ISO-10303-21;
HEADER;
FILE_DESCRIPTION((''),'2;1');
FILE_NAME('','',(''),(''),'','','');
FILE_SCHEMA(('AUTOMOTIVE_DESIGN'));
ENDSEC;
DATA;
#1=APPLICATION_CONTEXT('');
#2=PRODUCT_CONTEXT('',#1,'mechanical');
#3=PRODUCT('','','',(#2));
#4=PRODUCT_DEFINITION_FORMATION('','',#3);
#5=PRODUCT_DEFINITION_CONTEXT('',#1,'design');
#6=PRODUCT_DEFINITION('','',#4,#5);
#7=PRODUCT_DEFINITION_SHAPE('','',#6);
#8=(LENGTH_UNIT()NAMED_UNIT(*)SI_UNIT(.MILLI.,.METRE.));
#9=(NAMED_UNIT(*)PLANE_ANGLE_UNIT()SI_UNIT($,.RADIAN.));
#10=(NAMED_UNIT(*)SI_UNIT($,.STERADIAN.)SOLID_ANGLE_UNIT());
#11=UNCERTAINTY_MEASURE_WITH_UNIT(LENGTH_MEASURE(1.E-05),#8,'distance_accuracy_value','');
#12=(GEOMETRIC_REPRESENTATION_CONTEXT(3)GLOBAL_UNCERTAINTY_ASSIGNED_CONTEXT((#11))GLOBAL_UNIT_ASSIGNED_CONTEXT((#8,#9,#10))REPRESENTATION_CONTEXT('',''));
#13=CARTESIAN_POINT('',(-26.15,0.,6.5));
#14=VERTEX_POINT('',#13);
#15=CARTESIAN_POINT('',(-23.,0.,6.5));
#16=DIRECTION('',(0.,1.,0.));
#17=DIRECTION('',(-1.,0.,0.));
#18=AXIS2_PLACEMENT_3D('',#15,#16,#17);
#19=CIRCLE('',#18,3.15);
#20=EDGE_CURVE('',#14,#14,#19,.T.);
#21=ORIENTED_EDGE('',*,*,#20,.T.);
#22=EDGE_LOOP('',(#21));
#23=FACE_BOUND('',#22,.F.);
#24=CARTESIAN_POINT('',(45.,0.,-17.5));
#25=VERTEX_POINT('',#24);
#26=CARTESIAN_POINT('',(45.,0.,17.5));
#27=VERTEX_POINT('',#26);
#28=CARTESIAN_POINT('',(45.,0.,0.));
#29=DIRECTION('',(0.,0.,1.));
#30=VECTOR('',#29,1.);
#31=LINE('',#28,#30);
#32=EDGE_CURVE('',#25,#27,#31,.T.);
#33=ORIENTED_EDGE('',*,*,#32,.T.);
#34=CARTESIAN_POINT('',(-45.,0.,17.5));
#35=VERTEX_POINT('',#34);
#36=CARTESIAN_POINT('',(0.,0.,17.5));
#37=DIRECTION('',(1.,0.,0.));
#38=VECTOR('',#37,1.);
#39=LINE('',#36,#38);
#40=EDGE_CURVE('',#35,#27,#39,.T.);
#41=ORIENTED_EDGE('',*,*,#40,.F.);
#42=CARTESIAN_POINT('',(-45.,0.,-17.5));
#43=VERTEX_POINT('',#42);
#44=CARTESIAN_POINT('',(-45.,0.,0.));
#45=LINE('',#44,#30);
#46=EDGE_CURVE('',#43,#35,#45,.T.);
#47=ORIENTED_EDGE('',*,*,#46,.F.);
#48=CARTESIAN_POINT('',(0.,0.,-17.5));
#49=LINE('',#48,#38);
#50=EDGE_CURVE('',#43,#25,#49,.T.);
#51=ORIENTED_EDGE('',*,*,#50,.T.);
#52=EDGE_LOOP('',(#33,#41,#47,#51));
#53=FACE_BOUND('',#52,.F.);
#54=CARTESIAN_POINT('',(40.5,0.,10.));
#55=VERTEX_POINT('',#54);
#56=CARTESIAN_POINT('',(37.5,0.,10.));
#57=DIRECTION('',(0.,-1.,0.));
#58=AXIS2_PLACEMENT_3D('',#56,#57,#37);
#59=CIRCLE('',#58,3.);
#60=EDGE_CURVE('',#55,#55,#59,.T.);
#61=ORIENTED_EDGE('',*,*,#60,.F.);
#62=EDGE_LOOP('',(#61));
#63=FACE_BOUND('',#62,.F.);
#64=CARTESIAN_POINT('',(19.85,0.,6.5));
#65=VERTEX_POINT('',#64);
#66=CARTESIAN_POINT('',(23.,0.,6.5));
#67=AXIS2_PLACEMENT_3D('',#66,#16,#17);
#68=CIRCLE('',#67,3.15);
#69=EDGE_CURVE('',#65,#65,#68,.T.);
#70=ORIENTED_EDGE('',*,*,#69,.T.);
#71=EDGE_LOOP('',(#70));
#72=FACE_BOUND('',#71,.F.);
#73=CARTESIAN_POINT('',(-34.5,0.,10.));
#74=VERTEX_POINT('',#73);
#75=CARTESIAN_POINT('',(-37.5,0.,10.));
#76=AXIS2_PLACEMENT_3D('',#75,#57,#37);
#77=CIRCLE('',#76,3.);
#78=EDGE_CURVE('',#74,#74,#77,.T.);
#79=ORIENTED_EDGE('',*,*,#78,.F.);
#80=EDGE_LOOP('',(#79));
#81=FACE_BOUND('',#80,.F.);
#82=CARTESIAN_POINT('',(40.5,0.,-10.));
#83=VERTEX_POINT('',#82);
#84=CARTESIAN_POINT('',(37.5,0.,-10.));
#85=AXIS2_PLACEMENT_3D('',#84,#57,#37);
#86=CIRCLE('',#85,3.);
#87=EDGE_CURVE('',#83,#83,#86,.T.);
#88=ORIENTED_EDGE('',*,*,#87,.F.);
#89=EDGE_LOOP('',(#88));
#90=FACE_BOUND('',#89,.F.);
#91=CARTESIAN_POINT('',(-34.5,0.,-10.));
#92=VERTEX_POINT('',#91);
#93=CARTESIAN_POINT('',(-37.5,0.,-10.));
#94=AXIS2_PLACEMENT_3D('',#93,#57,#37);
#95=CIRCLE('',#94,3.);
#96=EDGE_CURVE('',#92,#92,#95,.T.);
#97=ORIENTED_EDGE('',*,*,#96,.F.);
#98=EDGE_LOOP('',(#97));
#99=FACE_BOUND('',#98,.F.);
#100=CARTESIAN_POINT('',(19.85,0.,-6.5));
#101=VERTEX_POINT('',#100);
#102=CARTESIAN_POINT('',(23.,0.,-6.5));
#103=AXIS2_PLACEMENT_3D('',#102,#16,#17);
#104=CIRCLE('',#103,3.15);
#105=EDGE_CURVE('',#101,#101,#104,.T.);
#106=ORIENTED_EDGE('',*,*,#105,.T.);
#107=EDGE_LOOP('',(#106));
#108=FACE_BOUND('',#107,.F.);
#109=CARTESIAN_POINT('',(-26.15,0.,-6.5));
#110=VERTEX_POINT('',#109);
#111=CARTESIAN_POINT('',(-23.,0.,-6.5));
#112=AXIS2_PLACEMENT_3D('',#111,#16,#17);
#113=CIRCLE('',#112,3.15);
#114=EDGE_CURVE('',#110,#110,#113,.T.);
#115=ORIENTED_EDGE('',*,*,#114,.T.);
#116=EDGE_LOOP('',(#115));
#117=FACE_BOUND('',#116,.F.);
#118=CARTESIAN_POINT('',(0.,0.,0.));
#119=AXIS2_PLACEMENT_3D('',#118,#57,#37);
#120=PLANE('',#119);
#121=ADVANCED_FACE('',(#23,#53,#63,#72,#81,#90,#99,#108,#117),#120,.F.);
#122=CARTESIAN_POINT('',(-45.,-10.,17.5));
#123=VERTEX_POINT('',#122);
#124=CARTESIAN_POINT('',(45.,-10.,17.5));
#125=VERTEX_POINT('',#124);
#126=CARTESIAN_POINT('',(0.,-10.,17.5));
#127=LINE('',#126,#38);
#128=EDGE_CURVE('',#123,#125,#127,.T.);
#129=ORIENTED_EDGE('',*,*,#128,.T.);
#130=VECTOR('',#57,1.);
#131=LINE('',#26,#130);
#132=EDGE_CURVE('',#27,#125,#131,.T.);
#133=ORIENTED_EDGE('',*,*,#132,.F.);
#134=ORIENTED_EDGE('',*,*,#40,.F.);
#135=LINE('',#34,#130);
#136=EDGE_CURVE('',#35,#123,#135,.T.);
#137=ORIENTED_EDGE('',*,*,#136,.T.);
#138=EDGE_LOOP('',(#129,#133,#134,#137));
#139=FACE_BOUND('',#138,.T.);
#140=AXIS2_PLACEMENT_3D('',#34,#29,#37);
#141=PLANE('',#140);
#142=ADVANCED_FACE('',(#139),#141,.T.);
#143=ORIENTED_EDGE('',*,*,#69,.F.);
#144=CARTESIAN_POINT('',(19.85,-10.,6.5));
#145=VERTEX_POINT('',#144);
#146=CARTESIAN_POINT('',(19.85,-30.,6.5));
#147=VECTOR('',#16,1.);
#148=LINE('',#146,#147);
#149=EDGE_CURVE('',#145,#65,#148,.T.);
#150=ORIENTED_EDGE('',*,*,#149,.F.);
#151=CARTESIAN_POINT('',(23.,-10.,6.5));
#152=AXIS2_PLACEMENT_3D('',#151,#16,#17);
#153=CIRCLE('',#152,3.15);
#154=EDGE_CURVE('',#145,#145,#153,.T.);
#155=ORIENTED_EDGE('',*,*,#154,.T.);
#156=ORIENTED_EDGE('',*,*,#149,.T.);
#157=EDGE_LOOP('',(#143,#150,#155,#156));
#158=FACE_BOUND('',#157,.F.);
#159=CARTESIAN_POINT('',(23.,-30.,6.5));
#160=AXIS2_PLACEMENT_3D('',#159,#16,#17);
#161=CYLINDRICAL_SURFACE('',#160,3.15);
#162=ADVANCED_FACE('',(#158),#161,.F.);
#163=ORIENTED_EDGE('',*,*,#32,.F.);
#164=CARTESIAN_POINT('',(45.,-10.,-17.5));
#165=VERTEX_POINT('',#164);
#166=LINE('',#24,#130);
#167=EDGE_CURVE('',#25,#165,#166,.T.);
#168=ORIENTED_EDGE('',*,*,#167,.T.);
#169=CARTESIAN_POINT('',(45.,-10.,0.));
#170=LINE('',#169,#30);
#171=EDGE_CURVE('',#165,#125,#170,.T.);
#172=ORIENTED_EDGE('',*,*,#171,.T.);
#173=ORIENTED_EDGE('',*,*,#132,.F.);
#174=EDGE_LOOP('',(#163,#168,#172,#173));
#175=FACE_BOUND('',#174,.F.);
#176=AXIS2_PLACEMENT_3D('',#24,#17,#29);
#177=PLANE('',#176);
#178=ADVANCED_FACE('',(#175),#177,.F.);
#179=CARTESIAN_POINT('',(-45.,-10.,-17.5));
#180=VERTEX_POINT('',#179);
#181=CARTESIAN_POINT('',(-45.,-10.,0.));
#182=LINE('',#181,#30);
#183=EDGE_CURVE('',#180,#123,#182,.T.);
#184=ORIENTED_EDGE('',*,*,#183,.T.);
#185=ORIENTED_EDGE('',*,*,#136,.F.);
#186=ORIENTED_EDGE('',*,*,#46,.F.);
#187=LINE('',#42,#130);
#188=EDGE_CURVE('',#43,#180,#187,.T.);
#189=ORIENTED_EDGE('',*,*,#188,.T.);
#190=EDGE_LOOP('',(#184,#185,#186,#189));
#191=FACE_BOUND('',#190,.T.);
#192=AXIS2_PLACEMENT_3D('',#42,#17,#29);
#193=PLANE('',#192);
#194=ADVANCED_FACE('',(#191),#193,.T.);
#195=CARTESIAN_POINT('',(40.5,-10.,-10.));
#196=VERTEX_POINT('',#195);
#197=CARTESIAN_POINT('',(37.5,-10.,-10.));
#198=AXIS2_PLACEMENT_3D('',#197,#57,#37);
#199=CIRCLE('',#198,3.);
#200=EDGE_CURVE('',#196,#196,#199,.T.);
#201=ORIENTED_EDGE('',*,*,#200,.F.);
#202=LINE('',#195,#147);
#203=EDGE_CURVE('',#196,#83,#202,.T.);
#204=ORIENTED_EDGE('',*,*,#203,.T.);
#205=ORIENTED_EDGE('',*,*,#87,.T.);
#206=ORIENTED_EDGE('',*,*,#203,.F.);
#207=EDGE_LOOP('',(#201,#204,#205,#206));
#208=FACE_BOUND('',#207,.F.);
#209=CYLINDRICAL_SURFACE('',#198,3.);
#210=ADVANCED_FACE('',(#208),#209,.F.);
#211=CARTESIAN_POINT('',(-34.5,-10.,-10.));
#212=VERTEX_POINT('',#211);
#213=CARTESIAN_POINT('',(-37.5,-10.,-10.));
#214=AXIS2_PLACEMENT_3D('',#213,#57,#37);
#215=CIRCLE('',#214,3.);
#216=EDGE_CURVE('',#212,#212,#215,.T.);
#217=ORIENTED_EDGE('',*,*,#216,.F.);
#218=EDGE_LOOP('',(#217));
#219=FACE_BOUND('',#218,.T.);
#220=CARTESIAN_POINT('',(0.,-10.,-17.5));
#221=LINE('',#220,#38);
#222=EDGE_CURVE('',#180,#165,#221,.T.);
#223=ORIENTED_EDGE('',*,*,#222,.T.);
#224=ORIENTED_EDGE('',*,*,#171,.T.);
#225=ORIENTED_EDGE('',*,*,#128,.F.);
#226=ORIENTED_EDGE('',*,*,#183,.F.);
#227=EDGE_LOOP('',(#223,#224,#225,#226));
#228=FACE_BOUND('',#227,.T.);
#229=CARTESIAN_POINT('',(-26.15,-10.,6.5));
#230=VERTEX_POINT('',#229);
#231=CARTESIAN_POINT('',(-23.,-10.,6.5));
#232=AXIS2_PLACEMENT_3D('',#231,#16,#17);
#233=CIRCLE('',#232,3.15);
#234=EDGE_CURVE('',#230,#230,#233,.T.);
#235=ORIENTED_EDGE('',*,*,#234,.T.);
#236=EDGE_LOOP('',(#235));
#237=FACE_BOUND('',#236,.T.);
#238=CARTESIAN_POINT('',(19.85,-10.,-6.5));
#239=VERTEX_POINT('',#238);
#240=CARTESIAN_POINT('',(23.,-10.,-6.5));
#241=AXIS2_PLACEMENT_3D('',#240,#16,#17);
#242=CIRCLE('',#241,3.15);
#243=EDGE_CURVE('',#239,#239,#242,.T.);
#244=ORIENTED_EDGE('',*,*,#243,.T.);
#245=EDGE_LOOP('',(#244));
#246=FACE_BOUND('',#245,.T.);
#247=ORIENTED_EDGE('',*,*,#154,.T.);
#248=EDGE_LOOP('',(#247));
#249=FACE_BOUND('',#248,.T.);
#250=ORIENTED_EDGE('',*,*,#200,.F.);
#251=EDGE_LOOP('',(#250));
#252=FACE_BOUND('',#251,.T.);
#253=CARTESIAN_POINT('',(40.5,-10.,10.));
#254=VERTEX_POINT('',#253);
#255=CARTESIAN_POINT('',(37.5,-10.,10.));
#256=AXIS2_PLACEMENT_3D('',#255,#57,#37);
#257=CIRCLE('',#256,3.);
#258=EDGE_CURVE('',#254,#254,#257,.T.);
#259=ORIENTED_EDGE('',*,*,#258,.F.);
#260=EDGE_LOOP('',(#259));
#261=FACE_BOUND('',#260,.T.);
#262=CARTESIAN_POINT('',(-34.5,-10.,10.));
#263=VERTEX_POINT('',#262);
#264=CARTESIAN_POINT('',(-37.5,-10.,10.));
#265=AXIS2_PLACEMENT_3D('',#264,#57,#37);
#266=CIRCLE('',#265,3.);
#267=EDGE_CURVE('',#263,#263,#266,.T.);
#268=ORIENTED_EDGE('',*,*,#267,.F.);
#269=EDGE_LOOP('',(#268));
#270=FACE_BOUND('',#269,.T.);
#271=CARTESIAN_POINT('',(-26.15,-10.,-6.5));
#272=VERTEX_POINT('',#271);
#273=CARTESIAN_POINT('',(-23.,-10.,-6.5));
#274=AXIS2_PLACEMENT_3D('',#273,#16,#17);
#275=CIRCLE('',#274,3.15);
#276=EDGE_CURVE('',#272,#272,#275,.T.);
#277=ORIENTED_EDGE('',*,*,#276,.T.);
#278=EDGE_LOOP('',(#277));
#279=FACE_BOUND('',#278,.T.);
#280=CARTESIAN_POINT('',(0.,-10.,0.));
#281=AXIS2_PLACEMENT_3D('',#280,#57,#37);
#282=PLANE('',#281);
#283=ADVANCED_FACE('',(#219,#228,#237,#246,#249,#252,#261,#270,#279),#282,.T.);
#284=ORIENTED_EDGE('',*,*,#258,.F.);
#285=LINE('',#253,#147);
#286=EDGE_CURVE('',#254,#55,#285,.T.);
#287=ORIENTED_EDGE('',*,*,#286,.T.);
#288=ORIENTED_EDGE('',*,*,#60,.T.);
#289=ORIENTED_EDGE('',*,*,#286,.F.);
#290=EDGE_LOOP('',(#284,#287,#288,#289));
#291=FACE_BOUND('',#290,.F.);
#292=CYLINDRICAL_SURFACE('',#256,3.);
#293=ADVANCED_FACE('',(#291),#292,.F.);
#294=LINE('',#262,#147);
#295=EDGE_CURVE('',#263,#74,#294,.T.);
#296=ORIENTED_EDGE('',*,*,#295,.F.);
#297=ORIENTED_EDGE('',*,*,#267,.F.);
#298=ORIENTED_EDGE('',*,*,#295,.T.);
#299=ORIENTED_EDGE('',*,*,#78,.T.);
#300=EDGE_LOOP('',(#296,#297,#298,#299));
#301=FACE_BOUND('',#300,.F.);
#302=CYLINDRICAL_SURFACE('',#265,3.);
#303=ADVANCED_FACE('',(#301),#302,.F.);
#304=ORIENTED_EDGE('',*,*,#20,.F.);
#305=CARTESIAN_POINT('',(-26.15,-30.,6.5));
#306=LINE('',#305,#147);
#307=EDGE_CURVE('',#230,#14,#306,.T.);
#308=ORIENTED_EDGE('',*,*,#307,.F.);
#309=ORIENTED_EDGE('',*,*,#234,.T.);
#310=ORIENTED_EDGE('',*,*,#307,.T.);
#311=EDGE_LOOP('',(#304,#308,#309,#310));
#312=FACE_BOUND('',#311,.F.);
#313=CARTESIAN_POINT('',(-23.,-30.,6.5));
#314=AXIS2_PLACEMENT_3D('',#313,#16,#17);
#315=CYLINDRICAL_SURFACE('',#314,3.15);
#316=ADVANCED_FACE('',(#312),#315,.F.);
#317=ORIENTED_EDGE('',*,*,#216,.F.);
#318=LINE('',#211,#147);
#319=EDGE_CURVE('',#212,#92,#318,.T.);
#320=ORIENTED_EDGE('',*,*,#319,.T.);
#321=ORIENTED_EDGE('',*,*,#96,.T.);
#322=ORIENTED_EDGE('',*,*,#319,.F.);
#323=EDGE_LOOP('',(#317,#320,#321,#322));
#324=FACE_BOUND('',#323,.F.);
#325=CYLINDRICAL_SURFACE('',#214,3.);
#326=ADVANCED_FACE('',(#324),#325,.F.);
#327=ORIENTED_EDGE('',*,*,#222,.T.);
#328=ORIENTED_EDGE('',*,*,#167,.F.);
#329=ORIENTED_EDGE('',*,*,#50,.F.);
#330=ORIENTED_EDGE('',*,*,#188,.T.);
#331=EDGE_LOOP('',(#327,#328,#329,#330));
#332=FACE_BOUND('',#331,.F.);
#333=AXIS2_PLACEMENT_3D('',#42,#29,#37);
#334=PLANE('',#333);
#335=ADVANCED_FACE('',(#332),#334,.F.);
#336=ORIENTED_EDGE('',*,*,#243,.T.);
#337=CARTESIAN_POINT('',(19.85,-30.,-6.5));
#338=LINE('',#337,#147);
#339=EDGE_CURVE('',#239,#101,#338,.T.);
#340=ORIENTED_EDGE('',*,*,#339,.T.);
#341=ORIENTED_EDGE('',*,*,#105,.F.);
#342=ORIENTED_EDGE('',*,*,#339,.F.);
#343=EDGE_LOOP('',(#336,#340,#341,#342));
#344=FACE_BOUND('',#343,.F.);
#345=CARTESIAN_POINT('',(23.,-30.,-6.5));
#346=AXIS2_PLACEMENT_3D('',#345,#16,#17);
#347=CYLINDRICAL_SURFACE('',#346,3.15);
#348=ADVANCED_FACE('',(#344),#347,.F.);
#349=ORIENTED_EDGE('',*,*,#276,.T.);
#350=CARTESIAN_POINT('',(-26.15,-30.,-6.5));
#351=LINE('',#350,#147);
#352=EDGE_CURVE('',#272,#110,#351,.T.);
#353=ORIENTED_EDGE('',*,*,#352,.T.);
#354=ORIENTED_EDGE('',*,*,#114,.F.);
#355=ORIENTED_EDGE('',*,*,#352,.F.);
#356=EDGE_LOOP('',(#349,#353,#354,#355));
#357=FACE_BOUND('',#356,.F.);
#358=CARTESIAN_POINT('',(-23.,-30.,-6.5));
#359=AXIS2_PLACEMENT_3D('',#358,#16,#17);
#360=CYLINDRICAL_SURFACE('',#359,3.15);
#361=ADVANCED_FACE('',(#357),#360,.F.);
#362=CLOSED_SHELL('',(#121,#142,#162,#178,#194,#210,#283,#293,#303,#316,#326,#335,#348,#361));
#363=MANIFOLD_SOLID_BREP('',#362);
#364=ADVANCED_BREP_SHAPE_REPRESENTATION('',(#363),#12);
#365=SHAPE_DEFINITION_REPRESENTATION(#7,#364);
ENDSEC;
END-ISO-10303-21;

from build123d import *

# Parameters (mm, degrees)
F0_W     = 90
F0_H     = 35
F1_DEPTH = 10
F3_R     = 3
F4_DEPTH = 10.001
F5_D     = 6.3
F5_DEPTH = 20
F5_TIP   = 1.8927109499


with BuildPart() as f1:
    # F0 (on Front) → F1 (new body)
    with BuildSketch(Plane.XZ):
        Rectangle(F0_W, F0_H)
    extrude(amount=F1_DEPTH)

    # F3 (on face) → F4 (cut, through all)
    with BuildSketch(Plane.XZ.offset(10)):
        with Locations((-37.5, 10)):
            Circle(F3_R)
        with Locations((-37.5, -10)):
            Circle(F3_R)
        with Locations((37.5, -10)):
            Circle(F3_R)
        with Locations((37.5, 10)):
            Circle(F3_R)
    extrude(amount=-F4_DEPTH, mode=Mode.SUBTRACT)

    # F5
    with Locations(Plane.XZ.offset(10)):
        with Locations((-23, 6.5), (-23, -6.5), (23, -6.5), (23, 6.5)):
            Hole(F5_D / 2, depth=F5_DEPTH)
            with Locations((0, 0, -(F5_DEPTH + F5_TIP / 2))):  # 118° drill point
                Cone(0, F5_D / 2, F5_TIP, mode=Mode.SUBTRACT)


solid = f1.part
